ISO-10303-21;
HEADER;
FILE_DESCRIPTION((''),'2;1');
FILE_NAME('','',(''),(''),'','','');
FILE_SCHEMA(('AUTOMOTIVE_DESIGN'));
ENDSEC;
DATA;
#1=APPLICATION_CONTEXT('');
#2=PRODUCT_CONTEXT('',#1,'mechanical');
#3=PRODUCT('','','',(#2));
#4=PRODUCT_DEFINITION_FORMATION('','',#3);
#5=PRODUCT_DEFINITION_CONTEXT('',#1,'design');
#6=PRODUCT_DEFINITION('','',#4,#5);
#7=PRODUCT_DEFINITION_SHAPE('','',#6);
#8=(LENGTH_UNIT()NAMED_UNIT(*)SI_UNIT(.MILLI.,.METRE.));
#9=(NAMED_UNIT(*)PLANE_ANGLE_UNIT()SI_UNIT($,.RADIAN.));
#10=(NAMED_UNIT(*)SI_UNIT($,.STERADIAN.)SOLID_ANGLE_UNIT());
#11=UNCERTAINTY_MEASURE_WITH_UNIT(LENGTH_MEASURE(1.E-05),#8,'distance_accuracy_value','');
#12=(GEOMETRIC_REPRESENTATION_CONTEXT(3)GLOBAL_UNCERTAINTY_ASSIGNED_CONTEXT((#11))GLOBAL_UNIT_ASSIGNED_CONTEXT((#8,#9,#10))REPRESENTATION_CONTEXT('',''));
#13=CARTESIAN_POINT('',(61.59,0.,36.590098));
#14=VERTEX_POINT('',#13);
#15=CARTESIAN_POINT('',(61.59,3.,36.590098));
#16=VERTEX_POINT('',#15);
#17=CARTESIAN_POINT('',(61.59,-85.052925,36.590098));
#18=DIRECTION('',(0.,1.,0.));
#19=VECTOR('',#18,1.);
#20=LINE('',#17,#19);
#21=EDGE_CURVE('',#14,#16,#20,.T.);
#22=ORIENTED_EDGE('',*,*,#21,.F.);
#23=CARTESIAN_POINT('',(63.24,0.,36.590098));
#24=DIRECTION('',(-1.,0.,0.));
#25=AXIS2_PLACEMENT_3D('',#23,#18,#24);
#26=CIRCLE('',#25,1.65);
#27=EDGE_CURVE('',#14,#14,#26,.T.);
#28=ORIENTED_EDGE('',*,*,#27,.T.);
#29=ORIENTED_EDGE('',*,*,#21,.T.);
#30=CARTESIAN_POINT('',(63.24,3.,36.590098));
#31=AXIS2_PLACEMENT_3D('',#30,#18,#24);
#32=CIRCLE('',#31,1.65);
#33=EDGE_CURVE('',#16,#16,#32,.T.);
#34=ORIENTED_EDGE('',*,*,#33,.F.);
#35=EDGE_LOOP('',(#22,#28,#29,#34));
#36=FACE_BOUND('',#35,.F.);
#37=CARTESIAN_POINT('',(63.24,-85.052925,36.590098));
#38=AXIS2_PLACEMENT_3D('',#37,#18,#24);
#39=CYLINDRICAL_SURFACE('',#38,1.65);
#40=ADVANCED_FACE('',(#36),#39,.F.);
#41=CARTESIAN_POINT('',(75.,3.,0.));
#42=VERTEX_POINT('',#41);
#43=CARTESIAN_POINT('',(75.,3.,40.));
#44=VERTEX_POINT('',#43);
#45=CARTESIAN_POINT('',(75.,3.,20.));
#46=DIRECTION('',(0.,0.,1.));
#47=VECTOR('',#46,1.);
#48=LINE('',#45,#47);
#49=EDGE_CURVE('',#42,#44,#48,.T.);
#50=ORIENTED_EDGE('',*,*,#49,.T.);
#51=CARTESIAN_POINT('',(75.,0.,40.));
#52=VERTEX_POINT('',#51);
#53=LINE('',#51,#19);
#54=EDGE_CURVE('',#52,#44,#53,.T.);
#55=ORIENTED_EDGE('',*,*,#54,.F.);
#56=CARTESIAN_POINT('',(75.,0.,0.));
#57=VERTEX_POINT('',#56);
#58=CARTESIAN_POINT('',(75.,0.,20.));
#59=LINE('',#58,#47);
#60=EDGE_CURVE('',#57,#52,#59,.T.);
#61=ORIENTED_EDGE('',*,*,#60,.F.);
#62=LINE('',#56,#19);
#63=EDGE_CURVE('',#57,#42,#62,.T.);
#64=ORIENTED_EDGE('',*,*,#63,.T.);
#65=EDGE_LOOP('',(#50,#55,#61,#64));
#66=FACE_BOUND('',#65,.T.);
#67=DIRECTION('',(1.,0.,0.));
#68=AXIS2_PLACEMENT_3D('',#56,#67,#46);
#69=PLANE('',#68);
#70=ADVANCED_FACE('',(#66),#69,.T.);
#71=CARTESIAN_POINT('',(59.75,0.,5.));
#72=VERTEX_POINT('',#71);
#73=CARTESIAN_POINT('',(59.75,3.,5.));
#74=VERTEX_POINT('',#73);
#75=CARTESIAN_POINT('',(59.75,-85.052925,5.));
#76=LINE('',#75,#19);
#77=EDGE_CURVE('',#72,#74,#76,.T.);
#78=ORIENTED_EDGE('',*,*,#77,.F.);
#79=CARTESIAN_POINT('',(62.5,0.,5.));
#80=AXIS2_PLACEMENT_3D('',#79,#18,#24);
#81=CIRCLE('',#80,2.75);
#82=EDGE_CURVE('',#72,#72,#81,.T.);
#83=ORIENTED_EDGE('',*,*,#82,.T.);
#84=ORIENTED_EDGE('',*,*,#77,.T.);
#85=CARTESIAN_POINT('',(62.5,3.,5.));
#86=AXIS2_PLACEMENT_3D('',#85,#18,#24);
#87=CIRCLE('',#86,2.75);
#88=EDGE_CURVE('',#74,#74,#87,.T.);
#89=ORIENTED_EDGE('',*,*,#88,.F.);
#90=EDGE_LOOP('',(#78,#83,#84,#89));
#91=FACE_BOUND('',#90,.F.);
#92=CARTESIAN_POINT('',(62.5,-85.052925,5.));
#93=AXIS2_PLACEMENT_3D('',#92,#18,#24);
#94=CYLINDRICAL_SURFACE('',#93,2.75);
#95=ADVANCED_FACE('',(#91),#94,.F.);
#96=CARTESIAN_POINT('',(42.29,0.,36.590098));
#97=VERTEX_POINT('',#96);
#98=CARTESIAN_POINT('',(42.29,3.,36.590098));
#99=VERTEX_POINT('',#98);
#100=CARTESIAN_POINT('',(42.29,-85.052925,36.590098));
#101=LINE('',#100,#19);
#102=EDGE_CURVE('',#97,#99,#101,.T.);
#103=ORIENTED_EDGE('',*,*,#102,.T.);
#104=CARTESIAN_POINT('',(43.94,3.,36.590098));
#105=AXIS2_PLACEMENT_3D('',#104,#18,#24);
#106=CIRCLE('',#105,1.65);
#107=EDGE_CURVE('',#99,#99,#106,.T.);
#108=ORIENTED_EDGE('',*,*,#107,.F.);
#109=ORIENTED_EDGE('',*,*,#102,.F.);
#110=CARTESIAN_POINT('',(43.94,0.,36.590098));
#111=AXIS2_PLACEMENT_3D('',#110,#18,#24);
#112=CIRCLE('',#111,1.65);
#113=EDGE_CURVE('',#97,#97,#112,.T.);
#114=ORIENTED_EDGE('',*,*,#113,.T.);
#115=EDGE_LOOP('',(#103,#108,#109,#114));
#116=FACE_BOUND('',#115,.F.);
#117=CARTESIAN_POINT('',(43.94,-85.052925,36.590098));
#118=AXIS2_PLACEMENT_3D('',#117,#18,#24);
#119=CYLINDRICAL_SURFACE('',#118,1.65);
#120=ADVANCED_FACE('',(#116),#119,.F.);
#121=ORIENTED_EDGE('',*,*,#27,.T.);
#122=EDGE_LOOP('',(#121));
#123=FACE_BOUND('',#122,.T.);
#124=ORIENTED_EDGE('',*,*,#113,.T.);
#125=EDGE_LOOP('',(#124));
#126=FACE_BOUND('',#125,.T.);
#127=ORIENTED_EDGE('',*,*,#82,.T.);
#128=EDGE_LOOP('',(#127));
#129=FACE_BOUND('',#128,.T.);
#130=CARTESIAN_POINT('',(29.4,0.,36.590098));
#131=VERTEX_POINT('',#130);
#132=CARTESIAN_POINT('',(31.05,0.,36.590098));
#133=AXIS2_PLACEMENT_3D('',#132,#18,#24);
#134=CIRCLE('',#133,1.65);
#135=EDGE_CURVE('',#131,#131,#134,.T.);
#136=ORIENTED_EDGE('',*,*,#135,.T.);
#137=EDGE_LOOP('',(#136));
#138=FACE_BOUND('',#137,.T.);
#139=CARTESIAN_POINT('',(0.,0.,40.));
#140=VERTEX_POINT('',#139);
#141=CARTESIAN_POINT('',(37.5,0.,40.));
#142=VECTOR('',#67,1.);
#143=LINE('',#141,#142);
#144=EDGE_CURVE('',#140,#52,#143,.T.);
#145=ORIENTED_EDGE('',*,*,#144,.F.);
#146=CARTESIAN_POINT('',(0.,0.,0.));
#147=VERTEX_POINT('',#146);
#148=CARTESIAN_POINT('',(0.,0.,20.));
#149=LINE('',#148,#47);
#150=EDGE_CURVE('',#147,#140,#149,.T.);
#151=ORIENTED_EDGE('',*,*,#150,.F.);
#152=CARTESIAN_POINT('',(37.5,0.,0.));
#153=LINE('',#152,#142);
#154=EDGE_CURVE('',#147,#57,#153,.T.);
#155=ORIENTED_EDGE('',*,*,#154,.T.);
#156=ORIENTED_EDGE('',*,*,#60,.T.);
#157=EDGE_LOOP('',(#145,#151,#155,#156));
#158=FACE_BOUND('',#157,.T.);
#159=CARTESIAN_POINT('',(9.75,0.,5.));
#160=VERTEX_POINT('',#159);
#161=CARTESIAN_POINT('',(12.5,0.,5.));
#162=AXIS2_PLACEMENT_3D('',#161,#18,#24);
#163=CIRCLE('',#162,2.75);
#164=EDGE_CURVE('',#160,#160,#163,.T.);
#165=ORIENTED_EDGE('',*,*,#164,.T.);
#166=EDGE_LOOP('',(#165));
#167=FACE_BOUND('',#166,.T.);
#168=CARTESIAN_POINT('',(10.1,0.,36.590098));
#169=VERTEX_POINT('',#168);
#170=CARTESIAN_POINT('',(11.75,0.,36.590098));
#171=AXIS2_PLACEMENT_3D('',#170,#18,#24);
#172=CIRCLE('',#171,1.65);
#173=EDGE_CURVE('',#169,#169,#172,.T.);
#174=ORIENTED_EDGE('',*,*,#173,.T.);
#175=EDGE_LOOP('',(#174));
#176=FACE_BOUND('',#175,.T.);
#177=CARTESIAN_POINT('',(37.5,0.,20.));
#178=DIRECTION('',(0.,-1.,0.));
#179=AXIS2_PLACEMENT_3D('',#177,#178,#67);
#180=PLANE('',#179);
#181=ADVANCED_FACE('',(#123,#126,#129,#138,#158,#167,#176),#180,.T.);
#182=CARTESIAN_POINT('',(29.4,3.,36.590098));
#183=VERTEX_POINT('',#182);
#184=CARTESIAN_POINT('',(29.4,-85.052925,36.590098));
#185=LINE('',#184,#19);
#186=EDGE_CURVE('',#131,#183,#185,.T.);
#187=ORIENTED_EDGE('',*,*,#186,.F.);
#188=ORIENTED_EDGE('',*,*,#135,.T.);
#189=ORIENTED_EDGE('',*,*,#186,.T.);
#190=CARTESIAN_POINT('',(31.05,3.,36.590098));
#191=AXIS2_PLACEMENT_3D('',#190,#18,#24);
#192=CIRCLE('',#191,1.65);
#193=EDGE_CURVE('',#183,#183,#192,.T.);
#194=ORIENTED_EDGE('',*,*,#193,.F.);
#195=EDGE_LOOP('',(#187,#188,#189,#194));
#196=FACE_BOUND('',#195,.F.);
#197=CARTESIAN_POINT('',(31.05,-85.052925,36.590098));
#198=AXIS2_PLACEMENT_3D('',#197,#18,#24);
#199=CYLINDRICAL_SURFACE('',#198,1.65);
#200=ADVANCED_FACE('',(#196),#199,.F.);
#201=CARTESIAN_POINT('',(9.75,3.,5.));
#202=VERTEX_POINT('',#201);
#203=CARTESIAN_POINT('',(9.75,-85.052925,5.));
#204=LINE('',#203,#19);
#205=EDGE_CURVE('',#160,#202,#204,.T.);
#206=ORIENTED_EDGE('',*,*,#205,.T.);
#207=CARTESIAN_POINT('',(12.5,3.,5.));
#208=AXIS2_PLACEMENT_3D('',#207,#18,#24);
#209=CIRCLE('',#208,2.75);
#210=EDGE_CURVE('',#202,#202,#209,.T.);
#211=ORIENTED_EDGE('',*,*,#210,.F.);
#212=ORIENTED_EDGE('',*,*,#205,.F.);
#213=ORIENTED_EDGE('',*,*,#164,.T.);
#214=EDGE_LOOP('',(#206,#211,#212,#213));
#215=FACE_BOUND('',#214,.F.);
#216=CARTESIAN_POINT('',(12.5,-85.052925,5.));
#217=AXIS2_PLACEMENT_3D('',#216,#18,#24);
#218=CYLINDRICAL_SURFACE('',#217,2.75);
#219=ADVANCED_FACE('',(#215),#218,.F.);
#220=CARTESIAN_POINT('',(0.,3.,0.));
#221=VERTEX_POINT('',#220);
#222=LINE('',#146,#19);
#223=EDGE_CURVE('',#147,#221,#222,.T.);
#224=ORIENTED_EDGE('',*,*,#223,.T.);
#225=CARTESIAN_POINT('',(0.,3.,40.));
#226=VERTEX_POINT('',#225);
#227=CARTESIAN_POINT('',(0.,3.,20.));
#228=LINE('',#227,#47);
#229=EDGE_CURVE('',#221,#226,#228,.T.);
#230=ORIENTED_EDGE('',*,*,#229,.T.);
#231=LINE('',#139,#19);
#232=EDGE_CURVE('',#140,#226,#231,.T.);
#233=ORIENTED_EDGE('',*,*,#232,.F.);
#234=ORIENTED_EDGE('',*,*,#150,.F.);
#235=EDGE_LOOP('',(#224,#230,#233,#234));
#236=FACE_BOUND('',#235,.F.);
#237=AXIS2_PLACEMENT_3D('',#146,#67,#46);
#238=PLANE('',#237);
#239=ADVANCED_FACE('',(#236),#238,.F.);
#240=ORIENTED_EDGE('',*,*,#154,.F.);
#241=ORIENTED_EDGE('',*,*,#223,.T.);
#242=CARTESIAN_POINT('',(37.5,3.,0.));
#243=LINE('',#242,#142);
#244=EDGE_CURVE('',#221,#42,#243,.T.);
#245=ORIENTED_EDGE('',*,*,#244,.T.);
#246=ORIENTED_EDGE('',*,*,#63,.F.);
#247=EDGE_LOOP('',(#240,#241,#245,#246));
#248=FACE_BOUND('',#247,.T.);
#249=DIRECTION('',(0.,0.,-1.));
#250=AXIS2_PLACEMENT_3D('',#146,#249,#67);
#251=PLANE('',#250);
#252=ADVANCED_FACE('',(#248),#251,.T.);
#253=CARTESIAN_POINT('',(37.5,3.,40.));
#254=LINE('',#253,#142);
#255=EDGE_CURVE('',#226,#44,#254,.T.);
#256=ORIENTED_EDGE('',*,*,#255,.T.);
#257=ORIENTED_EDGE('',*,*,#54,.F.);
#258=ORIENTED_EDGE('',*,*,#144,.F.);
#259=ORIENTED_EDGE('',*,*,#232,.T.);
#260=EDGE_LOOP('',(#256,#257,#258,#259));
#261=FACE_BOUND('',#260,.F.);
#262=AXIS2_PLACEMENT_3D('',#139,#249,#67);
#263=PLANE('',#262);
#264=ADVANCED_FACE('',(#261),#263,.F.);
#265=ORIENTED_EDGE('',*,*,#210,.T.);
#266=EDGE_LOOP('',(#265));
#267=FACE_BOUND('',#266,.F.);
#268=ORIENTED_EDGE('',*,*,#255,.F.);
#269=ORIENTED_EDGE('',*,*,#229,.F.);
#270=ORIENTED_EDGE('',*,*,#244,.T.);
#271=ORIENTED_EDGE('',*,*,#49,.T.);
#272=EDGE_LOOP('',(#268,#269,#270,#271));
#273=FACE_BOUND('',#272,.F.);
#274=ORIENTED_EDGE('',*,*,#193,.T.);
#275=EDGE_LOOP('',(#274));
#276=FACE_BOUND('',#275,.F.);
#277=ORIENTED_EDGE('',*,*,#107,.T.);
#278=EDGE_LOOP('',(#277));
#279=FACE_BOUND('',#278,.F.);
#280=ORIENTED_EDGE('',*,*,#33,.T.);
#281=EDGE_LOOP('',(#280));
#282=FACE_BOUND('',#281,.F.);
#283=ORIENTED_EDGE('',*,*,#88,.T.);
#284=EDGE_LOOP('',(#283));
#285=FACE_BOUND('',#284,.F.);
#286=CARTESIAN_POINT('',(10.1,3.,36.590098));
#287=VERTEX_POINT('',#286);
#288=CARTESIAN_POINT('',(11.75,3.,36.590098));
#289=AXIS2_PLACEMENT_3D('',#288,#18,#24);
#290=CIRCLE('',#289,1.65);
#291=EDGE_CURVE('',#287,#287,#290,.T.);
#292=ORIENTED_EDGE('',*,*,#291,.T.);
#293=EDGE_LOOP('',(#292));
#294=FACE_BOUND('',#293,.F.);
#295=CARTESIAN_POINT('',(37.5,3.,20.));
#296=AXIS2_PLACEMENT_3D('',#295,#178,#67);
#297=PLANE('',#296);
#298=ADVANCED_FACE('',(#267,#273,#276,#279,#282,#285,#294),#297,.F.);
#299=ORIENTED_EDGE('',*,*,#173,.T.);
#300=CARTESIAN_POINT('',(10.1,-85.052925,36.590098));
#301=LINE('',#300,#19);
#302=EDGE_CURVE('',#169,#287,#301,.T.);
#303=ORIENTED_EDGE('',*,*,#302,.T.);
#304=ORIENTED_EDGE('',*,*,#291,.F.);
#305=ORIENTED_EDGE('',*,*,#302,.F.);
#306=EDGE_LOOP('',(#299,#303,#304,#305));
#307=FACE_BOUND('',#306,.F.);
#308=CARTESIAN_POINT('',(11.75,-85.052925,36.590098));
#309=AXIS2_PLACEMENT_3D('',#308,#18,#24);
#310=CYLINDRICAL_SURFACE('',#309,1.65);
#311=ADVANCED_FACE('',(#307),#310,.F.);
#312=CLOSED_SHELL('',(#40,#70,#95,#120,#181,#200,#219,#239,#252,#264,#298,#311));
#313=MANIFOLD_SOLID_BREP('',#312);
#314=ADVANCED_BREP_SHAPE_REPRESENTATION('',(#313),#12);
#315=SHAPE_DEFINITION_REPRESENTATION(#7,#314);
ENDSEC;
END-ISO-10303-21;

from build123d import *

# Parameters (mm, degrees)
F0_W     = 75
F0_H     = 40
F1_DEPTH = 3
F3_D     = 5.5
F4_D     = 3.3


with BuildPart() as f1:
    # F0 (on Front) → F1 (new body)
    with BuildSketch(Plane.XZ):
        with Locations((37.5, 20)):
            Rectangle(F0_W, F0_H)
    extrude(amount=-F1_DEPTH)

    # F3 (through all)
    with Locations(Plane.XZ):
        with Locations((12.5, 5), (62.5, 5)):
            Hole(F3_D / 2)

    # F4 (through all)
    with Locations(Plane.XZ):
        with Locations((11.75, 36.590098), (31.05, 36.590098), (43.94, 36.590098), (63.24, 36.590098)):
            Hole(F4_D / 2)


solid = f1.part
